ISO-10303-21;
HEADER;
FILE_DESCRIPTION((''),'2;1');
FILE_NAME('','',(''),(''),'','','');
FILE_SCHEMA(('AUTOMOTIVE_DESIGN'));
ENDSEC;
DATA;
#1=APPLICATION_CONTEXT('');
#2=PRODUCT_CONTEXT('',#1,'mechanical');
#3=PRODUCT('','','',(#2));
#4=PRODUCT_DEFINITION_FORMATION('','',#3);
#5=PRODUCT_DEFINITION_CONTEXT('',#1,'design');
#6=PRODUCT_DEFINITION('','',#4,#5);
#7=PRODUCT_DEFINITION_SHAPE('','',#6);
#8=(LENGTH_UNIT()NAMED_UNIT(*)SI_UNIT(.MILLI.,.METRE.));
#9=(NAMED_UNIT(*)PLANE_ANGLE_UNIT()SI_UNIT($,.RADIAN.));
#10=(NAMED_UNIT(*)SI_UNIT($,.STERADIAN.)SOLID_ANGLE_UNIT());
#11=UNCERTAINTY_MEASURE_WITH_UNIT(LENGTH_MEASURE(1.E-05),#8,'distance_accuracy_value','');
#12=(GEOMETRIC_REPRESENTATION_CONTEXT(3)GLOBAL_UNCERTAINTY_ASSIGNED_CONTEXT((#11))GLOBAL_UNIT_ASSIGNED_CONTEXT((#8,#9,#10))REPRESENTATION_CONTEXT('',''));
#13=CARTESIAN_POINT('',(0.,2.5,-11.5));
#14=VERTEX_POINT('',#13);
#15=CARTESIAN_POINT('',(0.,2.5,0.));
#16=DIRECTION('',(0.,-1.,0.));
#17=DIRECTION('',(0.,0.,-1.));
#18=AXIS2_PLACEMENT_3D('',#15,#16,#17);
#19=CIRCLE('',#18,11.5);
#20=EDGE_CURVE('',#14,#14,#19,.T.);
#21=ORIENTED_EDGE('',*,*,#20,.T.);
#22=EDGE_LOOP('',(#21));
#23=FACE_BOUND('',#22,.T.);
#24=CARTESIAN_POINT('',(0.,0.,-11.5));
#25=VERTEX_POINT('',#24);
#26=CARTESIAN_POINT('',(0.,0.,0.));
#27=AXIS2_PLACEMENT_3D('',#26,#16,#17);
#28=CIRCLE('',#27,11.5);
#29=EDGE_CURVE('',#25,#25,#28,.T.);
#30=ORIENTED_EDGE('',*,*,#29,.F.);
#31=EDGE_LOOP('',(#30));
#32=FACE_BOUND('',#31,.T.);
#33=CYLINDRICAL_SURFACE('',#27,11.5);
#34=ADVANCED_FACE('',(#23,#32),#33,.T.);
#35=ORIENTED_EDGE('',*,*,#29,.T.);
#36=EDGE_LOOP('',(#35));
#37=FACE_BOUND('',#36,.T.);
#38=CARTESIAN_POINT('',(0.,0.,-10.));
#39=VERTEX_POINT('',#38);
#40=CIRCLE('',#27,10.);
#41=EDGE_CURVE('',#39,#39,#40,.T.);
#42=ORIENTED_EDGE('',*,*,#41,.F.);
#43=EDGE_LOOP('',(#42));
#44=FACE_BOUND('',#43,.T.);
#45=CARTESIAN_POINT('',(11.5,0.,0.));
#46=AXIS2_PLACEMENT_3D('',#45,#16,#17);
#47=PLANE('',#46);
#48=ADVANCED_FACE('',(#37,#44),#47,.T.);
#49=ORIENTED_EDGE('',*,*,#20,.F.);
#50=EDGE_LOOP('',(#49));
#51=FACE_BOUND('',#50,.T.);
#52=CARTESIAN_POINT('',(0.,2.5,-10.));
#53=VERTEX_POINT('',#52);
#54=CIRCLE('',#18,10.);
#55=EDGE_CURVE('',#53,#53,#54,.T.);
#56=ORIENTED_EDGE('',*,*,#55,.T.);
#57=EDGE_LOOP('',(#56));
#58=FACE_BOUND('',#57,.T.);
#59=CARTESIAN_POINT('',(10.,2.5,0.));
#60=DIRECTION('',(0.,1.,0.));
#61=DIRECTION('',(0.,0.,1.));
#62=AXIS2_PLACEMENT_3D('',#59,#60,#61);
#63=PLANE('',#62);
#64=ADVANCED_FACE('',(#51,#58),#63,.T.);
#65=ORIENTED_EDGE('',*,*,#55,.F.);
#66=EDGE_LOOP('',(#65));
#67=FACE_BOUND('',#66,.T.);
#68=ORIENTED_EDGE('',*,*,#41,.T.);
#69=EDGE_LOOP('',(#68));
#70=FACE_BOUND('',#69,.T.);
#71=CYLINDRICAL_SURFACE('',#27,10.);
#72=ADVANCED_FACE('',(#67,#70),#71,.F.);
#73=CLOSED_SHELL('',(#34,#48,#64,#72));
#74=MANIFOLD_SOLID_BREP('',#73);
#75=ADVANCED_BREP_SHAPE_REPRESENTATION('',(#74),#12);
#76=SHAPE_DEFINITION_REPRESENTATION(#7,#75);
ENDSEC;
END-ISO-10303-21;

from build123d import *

# Parameters (mm, degrees)
SKETCH_1_W = 1.5
SKETCH_1_H = 2.5


with BuildPart() as part:
    # Эскиз1 → Повернуть1 (revolve)
    with BuildSketch(Plane.XY):
        with Locations((10.75, 1.25)):
            Rectangle(SKETCH_1_W, SKETCH_1_H)
    revolve(axis=Axis((0, 0, 0), (0, 1, 0)))


solid = part.part
